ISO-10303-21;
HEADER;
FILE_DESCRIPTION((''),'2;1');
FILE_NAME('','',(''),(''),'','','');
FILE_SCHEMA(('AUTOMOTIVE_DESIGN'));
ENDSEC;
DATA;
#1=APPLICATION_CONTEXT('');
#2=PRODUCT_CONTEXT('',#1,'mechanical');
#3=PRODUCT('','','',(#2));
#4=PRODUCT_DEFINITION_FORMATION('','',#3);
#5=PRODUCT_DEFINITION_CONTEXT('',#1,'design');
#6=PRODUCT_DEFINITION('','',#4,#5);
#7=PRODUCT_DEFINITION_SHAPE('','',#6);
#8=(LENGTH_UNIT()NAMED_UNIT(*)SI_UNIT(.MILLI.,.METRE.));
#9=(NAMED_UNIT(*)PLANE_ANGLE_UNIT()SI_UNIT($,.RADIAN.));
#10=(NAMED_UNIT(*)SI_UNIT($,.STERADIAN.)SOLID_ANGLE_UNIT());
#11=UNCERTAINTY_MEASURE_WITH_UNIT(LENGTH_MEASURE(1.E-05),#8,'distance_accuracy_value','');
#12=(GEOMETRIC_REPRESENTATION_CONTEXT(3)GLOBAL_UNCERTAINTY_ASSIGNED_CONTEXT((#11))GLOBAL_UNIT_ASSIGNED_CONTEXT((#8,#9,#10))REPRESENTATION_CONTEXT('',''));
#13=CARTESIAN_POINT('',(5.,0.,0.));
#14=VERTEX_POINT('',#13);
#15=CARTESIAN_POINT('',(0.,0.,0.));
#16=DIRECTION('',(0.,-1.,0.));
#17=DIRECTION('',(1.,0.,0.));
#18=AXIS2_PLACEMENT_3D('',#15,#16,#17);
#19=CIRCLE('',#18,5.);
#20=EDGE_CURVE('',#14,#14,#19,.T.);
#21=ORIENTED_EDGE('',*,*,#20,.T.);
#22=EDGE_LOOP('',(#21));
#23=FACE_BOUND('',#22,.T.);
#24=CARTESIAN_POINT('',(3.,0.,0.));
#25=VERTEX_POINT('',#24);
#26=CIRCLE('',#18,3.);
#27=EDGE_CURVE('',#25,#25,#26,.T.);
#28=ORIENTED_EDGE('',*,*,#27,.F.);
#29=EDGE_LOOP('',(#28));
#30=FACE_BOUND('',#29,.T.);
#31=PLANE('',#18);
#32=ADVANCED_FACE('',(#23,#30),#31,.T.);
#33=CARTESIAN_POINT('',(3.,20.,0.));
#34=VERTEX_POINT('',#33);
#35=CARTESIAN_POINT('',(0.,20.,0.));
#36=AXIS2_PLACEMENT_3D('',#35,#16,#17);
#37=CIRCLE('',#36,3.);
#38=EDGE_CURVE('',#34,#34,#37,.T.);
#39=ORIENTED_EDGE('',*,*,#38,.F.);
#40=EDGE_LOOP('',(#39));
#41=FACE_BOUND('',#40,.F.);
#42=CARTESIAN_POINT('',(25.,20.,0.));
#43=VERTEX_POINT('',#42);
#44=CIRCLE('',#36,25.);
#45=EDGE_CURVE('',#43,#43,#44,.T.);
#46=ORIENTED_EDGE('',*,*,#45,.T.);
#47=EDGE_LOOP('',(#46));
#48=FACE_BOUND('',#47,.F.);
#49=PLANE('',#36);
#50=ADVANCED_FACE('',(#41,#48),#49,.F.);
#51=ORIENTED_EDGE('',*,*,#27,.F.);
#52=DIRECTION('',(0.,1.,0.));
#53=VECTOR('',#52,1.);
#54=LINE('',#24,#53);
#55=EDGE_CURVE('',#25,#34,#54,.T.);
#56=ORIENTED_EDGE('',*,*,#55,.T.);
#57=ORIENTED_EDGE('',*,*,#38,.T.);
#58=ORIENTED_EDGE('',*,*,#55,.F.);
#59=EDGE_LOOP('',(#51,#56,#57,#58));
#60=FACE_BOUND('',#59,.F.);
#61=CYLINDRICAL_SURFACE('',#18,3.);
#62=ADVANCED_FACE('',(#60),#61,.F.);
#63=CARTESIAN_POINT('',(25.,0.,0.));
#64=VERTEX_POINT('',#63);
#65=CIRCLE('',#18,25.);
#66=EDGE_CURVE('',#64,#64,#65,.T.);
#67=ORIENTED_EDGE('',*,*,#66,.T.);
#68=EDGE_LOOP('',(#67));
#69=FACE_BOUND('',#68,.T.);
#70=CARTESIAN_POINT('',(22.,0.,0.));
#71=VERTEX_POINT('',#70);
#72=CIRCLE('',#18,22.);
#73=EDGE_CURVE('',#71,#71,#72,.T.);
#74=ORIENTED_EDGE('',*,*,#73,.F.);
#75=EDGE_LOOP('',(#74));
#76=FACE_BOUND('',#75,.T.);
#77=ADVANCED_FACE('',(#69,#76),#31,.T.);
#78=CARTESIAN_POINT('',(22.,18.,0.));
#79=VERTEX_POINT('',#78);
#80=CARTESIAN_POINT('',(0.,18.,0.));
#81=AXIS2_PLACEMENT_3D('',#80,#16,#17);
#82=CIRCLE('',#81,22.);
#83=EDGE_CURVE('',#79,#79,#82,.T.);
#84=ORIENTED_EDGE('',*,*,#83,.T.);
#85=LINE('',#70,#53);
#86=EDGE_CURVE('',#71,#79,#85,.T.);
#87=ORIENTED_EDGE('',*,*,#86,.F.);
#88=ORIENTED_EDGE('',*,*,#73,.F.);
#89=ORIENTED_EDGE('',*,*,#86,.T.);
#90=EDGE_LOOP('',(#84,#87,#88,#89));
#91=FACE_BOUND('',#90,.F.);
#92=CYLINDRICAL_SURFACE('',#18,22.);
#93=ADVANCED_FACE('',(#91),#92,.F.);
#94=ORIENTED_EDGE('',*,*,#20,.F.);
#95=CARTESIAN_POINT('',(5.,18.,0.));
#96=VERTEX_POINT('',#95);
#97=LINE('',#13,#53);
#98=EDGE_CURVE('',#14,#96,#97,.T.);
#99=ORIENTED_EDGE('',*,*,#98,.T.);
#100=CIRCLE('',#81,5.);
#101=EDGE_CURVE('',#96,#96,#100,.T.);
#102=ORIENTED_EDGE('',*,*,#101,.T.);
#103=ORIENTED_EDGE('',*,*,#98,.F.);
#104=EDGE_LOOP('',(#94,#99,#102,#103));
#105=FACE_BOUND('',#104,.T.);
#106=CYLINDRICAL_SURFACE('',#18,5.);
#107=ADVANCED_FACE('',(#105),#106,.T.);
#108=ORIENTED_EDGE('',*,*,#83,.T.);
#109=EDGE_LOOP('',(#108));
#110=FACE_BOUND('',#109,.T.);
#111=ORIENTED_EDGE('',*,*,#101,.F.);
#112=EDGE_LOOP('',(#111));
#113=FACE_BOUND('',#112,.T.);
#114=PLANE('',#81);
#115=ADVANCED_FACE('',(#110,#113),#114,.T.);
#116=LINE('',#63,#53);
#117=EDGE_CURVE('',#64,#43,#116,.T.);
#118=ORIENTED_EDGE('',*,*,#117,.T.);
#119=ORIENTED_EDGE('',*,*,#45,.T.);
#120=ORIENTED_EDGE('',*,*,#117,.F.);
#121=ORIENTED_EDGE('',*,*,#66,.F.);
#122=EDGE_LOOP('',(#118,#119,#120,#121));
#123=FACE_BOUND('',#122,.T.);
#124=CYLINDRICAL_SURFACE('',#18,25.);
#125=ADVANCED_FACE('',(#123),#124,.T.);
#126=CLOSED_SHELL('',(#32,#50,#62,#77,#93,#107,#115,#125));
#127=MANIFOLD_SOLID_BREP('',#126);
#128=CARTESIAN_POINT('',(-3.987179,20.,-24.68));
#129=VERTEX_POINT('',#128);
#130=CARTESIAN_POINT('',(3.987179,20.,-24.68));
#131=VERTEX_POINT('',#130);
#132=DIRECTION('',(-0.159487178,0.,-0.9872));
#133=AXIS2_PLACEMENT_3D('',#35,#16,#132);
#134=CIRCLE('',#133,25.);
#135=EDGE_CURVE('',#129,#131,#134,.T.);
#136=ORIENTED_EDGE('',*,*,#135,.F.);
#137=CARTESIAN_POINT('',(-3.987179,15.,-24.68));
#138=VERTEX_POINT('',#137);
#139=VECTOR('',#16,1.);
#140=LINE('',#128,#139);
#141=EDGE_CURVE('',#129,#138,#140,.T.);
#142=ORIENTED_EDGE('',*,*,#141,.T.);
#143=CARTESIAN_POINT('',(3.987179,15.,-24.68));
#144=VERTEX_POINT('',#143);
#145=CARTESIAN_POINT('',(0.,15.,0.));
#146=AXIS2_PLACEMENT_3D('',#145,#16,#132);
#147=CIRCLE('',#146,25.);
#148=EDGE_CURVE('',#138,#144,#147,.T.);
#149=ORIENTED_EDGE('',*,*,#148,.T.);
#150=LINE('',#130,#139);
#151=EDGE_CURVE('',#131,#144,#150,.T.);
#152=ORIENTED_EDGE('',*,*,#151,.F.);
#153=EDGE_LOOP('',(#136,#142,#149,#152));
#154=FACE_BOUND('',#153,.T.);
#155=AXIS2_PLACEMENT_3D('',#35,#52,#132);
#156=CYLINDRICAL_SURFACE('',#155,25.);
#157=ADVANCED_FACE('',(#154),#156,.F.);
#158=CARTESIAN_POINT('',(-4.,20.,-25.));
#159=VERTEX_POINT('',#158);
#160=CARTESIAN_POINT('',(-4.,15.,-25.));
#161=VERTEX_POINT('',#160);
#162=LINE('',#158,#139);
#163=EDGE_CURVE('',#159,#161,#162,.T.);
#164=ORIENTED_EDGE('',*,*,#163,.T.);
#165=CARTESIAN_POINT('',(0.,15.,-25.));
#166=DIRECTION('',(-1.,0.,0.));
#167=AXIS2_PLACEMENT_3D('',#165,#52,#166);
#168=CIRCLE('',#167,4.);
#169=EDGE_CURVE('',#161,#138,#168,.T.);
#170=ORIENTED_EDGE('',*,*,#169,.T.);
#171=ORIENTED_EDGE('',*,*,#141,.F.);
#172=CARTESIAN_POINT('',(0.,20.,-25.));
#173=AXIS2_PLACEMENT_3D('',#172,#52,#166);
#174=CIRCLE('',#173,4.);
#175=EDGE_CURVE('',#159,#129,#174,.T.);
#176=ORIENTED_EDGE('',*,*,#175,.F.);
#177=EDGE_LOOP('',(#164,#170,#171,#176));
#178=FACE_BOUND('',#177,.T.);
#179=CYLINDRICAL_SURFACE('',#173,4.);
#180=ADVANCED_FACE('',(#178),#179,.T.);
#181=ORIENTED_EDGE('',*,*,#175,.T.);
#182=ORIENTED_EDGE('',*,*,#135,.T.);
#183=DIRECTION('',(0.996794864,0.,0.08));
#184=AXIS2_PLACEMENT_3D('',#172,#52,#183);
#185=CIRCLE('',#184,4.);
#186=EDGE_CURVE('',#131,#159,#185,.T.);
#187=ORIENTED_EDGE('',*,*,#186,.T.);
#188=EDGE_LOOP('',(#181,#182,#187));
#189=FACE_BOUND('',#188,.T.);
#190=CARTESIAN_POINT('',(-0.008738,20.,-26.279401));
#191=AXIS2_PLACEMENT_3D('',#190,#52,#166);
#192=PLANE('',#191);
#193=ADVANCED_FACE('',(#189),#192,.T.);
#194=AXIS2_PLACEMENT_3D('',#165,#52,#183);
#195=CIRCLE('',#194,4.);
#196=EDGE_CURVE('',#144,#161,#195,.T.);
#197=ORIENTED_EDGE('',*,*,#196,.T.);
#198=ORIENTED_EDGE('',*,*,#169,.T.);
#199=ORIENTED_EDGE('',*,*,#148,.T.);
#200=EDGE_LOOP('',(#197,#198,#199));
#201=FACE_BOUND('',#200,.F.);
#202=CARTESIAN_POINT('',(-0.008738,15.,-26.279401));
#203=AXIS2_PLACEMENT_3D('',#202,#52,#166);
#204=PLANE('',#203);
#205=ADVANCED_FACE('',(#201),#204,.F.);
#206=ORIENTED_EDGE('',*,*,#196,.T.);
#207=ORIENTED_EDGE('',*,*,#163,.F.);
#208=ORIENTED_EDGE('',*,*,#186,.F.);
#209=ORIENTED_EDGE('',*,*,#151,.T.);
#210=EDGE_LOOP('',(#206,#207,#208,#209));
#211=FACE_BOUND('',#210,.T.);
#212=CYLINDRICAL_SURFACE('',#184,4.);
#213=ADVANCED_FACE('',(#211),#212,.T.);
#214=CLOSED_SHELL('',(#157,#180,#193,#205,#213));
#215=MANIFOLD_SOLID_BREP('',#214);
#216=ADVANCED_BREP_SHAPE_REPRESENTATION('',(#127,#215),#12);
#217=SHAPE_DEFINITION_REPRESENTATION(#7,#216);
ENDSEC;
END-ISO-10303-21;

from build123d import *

# Parameters (mm, degrees)
F0_R     = 25
F0_R_2   = 22
F0_R_3   = 5
F0_R_4   = 3
F1_DEPTH = 20
F2_DEPTH = 18
F4_DEPTH = 5


with BuildPart() as f1:
    # F0 (on Front) → F1 (new body)
    with BuildSketch(Plane.XZ):
        Circle(F0_R)
        Circle(F0_R_2, mode=Mode.SUBTRACT)
        Circle(F0_R_2)
        Circle(F0_R_3, mode=Mode.SUBTRACT)
        Circle(F0_R_3)
        Circle(F0_R_4, mode=Mode.SUBTRACT)
    extrude(amount=-F1_DEPTH)

    # F0 (on Front) → F2 (cut)
    with BuildSketch(Plane.XZ):
        Circle(F0_R_2)
        Circle(F0_R_3, mode=Mode.SUBTRACT)
    extrude(amount=-F2_DEPTH, mode=Mode.SUBTRACT)


with BuildPart() as f4:
    # F3 (on face) → F4 (new body)
    with BuildSketch(Plane(origin=(0, 20, 0), x_dir=(-1, 0, 0), z_dir=(0, 1, 0))):
        with BuildLine():
            ThreePointArc((-3.9871794542, -24.68), (-0.1601283598, -28.9967935784), (4, -25))
            ThreePointArc((4, -25), (3.9967935784, -24.8398716402), (3.9871794542, -24.68))
            ThreePointArc((3.9871794542, -24.68), (0, -25), (-3.9871794542, -24.68))
        make_face()
    extrude(amount=-F4_DEPTH)


solid = Compound([f1.part, f4.part])
